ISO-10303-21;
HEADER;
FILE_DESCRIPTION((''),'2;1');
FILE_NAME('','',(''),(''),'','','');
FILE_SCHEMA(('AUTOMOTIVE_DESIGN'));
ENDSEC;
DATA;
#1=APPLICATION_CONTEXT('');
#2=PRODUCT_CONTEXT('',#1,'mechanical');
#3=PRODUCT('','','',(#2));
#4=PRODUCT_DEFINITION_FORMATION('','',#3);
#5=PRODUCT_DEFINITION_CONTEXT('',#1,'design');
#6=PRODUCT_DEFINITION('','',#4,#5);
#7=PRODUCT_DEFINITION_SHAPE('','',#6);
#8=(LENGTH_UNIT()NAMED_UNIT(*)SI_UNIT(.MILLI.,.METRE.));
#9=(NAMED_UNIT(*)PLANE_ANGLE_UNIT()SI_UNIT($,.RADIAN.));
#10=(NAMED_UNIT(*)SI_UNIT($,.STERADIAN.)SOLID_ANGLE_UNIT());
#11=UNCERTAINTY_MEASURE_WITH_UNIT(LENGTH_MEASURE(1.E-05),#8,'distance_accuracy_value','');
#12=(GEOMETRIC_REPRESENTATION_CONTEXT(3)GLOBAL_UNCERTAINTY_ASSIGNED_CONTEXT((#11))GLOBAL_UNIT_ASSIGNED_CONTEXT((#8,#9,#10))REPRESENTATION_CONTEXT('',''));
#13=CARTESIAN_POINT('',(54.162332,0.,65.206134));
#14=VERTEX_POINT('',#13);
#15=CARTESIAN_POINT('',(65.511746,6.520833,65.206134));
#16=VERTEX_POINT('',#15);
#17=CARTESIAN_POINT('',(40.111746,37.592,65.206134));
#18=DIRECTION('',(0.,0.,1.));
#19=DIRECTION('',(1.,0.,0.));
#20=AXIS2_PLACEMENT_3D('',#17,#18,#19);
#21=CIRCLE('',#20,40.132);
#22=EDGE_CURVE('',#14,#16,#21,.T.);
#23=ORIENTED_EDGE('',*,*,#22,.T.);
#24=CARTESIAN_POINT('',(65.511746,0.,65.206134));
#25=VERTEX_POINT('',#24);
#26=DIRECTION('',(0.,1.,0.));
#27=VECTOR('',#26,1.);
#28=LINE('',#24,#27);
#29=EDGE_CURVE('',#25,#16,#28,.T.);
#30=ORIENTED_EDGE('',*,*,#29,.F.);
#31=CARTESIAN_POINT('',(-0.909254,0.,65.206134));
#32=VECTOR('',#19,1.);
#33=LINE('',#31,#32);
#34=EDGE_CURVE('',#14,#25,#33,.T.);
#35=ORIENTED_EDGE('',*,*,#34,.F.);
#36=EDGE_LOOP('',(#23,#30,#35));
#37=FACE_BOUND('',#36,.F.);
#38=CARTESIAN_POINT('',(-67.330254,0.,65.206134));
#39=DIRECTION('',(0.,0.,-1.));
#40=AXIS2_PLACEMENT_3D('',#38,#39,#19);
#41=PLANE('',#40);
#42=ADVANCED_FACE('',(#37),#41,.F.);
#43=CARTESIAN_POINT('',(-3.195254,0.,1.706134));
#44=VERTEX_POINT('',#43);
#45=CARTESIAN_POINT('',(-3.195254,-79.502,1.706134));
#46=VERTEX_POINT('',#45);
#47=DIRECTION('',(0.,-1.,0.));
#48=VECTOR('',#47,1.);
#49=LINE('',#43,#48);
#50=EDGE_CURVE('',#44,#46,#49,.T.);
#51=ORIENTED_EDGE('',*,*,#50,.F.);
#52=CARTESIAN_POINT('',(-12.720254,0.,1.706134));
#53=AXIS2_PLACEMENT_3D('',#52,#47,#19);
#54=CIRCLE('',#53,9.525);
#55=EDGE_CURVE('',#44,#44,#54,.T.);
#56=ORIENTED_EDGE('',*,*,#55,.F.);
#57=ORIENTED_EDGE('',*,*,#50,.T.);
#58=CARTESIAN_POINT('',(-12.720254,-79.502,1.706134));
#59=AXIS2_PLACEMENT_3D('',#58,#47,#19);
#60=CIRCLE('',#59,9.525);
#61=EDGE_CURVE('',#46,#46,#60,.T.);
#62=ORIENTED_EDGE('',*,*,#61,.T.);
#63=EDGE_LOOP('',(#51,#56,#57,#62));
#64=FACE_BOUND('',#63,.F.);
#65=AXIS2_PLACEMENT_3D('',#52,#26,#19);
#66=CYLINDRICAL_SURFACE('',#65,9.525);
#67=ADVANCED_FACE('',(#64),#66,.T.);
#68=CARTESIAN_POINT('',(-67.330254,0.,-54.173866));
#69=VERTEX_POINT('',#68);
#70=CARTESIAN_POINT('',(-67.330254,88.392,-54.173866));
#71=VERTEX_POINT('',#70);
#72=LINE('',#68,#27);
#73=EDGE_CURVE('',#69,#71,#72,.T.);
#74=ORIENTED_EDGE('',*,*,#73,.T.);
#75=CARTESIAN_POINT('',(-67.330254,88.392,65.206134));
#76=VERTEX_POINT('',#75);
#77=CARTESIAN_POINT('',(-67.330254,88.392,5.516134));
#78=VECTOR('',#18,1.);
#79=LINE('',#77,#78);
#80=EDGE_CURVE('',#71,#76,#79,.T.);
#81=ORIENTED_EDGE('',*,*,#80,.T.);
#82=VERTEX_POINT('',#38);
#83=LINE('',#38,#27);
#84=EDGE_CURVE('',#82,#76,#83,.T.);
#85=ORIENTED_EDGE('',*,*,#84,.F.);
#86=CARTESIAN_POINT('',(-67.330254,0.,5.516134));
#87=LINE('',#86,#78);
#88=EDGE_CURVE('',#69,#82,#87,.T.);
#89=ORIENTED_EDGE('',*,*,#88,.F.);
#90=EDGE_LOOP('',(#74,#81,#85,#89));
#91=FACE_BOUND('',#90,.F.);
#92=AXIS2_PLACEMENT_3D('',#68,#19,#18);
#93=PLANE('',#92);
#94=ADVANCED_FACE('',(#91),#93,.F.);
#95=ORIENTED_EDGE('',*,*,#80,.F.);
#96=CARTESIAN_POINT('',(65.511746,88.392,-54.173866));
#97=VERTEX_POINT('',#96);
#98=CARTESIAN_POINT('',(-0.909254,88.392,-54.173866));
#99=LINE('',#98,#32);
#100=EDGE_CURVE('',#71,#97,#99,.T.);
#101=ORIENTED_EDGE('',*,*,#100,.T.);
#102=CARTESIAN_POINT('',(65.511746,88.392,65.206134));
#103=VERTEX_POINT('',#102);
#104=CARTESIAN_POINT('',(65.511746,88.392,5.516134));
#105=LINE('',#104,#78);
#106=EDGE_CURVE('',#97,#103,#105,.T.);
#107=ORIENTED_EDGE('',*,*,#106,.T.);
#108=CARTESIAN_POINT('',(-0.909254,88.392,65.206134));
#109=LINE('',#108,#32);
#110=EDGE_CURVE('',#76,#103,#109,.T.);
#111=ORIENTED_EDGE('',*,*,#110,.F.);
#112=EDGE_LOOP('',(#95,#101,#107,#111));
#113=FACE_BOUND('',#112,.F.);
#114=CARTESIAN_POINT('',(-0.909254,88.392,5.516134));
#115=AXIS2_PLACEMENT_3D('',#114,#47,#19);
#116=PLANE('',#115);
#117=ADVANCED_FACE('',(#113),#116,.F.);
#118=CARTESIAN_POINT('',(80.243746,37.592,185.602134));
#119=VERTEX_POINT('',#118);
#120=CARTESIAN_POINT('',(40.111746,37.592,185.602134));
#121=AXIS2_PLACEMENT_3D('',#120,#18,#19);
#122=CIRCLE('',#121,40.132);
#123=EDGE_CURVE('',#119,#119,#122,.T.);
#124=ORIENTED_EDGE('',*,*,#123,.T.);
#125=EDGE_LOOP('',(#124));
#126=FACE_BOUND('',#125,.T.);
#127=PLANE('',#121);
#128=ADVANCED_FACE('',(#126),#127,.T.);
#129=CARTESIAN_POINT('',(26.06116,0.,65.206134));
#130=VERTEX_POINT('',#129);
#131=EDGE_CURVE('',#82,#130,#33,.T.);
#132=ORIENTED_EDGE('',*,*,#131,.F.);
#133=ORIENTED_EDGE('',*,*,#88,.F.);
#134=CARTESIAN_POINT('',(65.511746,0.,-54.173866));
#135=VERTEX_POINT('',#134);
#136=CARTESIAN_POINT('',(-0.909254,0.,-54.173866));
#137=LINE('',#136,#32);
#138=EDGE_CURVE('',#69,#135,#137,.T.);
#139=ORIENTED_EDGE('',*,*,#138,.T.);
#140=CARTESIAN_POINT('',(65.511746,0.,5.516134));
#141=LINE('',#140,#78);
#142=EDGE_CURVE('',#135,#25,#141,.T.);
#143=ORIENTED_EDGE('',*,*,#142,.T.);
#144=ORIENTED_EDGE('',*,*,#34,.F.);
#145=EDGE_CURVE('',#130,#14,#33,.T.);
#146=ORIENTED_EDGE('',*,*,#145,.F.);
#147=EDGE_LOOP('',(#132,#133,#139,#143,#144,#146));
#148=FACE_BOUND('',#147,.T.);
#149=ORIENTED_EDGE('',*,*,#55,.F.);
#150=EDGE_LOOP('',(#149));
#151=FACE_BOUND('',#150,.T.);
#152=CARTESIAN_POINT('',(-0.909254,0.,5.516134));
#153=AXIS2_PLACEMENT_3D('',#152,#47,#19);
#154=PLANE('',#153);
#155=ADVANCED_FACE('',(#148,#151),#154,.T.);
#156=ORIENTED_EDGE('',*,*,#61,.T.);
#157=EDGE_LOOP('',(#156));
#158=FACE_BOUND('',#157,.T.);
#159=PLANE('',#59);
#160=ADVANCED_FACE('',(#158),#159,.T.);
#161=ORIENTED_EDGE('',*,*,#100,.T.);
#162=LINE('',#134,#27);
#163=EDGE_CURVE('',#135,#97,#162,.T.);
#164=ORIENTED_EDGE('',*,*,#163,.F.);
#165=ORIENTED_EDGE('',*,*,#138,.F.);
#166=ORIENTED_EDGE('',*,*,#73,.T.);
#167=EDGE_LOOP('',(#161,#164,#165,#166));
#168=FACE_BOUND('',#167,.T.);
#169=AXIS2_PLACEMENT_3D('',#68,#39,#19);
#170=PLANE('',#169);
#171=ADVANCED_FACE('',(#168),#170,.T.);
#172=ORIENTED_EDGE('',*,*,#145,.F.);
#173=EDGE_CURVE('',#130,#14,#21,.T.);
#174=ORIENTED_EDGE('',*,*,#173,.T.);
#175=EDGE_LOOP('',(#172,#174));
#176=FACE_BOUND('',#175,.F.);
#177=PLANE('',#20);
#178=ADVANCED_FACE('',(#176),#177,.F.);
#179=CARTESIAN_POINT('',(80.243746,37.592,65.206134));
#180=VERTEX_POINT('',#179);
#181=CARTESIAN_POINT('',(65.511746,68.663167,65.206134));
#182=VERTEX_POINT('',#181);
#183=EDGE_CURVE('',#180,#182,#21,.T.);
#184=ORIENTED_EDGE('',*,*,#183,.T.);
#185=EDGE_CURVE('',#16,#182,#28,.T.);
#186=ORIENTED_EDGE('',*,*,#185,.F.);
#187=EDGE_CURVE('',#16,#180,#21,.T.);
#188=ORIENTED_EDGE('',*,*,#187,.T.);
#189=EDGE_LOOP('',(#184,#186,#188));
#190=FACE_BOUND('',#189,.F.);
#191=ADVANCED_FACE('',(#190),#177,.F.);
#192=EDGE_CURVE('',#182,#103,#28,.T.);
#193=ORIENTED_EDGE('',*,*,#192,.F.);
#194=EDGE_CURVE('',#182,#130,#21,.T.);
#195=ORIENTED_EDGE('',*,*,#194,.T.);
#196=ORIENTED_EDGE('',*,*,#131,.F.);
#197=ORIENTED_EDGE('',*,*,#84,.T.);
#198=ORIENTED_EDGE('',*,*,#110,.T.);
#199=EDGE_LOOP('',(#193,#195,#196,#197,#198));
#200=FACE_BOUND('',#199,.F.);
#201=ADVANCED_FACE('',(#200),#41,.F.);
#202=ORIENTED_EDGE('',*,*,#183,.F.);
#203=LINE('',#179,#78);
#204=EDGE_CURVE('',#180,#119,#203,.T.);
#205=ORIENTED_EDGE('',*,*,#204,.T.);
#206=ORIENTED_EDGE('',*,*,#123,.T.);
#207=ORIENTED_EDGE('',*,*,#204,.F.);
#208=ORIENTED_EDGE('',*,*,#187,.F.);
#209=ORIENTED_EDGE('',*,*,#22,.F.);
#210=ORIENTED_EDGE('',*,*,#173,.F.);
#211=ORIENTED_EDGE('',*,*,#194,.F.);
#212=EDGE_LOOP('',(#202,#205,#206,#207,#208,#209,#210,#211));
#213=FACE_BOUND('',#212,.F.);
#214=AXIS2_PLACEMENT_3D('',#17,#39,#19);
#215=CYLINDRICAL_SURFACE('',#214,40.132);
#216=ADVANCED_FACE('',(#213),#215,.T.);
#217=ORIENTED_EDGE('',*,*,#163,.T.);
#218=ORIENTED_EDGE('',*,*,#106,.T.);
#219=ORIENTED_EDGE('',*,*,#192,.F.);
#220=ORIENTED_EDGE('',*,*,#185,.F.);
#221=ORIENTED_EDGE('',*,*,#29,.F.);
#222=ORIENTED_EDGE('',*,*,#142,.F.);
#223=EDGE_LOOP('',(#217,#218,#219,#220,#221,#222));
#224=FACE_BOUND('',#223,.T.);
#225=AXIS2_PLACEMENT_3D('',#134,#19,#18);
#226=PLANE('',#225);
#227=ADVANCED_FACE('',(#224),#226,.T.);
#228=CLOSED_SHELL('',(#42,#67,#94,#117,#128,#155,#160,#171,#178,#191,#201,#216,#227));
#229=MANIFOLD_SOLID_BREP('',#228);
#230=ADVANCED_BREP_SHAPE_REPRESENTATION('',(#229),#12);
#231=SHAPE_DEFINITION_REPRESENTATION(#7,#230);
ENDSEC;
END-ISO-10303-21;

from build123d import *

# Parameters (mm, degrees)
F0_W     = 132.842
F0_H     = 119.38
F1_DEPTH = 88.392
F2_R     = 40.132
F3_DEPTH = 120.396
F4_R     = 9.525
F5_DEPTH = 79.502


with BuildPart() as f1:
    # F0 (on Front) → F1 (new body)
    with BuildSketch(Plane.XZ):
        with Locations((-0.909254, 5.516134)):
            Rectangle(F0_W, F0_H)
    extrude(amount=-F1_DEPTH)

    # F2 (on face) → F3 (join)
    with BuildSketch(Plane.XY.offset(65.206134)):
        with Locations((40.111746, 37.592)):
            Circle(F2_R)
    extrude(amount=F3_DEPTH)

    # F4 (on face) → F5 (join)
    with BuildSketch(Plane.XZ):
        with Locations((-12.720254, 1.706134)):
            Circle(F4_R)
    extrude(amount=F5_DEPTH)


solid = f1.part
